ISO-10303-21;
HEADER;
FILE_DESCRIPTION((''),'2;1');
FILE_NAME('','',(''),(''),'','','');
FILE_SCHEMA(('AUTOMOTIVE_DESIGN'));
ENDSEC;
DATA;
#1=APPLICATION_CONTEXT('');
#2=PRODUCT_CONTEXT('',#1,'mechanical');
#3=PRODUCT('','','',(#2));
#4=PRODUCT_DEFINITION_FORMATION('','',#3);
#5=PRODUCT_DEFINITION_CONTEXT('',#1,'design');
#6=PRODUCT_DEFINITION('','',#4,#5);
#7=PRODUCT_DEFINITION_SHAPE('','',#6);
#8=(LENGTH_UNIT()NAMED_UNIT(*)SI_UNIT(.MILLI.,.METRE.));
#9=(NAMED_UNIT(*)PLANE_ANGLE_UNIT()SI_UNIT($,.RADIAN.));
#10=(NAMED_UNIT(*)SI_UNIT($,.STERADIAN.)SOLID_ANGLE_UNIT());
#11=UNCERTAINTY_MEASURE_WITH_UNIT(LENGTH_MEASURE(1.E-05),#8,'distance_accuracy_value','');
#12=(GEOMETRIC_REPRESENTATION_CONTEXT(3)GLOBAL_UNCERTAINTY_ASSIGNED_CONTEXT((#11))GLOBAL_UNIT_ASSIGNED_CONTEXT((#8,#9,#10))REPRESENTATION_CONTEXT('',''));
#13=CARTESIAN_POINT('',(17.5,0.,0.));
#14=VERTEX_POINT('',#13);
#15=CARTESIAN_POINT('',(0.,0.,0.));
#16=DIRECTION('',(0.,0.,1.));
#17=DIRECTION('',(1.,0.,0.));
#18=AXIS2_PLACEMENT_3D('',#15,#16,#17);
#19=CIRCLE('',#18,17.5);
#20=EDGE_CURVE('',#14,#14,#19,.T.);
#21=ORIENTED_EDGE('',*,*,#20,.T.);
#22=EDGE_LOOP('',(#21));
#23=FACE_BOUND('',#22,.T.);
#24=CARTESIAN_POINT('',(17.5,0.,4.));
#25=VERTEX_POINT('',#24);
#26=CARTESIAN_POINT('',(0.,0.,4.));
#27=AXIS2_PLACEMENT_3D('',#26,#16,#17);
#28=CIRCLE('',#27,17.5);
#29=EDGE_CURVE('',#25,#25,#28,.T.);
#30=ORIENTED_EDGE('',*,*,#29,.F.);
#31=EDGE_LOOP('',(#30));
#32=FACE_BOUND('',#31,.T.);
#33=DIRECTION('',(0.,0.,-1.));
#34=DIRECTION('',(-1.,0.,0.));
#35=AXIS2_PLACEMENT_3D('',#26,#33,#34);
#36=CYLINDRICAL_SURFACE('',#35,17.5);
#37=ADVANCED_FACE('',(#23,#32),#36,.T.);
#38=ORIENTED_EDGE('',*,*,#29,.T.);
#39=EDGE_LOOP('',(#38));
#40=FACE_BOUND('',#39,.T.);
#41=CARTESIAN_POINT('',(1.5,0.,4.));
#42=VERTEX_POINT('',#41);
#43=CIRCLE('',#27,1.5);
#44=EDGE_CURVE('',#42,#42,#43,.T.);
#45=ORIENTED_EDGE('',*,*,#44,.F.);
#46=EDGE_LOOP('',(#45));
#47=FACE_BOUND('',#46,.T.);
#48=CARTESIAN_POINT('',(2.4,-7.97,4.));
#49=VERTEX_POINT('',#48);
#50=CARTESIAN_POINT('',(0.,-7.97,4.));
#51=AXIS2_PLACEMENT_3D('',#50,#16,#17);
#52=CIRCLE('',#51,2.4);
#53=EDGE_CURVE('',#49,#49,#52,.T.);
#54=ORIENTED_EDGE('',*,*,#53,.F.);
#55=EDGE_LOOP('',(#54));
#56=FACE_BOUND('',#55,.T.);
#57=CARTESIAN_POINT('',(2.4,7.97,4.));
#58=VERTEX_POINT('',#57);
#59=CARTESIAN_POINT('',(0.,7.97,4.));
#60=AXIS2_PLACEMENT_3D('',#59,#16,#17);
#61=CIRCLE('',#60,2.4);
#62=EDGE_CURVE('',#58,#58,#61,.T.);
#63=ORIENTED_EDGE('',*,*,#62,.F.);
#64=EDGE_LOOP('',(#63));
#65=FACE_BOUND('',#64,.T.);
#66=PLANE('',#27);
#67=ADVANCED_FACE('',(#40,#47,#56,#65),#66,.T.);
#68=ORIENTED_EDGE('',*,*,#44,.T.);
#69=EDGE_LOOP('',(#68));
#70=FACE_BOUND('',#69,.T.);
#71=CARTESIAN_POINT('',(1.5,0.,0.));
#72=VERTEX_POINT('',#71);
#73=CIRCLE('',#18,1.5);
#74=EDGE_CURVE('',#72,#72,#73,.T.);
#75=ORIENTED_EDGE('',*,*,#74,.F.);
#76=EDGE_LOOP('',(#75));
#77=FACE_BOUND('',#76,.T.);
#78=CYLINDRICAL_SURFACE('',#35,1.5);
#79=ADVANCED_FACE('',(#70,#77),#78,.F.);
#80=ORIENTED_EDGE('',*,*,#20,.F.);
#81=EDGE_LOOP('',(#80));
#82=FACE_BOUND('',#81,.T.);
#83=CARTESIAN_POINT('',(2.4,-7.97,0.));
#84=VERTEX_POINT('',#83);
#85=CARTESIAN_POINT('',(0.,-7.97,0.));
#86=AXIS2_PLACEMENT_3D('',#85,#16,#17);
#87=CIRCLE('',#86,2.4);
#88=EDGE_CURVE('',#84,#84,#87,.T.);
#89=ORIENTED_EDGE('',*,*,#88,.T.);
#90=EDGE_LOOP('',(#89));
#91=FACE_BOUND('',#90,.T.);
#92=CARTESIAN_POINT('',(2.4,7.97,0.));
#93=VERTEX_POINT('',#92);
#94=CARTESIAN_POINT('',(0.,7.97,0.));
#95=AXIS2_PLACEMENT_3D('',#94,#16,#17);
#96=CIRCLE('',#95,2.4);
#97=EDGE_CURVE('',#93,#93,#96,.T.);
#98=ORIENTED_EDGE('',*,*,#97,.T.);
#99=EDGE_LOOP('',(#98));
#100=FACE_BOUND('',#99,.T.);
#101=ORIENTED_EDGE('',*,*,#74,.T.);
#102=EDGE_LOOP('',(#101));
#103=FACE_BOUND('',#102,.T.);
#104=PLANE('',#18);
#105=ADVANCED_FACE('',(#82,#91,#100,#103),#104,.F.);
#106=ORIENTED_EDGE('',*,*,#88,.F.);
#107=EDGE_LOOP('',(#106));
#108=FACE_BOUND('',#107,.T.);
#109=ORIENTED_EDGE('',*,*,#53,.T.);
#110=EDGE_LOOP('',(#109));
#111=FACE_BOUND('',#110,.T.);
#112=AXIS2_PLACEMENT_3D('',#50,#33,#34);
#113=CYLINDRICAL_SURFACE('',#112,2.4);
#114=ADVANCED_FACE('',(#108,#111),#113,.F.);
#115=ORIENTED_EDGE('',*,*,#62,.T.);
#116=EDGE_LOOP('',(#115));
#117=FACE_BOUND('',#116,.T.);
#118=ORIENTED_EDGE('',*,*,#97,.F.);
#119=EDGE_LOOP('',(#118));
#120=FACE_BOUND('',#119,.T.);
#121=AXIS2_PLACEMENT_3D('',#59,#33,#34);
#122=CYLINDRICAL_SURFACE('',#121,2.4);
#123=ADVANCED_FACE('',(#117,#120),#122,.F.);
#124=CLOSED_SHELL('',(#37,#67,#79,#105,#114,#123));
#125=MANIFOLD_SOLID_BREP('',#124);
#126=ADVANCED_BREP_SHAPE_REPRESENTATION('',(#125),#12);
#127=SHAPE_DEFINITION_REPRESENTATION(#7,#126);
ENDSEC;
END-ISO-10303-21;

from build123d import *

# Parameters (mm, degrees)
SKETCH1_R           = 17.5
SKETCH1_R_2         = 2.4
SKETCH1_R_3         = 1.5
BOSS_EXTRUDE1_DEPTH = 4


with BuildPart() as part:
    # Sketch1 → Boss-Extrude1 (new body)
    with BuildSketch(Plane.XY):
        Circle(SKETCH1_R)
        with Locations((0, 7.97)):
            Circle(SKETCH1_R_2, mode=Mode.SUBTRACT)
        with Locations((0, -7.97)):
            Circle(SKETCH1_R_2, mode=Mode.SUBTRACT)
        Circle(SKETCH1_R_3, mode=Mode.SUBTRACT)
    extrude(amount=BOSS_EXTRUDE1_DEPTH)


solid = part.part
